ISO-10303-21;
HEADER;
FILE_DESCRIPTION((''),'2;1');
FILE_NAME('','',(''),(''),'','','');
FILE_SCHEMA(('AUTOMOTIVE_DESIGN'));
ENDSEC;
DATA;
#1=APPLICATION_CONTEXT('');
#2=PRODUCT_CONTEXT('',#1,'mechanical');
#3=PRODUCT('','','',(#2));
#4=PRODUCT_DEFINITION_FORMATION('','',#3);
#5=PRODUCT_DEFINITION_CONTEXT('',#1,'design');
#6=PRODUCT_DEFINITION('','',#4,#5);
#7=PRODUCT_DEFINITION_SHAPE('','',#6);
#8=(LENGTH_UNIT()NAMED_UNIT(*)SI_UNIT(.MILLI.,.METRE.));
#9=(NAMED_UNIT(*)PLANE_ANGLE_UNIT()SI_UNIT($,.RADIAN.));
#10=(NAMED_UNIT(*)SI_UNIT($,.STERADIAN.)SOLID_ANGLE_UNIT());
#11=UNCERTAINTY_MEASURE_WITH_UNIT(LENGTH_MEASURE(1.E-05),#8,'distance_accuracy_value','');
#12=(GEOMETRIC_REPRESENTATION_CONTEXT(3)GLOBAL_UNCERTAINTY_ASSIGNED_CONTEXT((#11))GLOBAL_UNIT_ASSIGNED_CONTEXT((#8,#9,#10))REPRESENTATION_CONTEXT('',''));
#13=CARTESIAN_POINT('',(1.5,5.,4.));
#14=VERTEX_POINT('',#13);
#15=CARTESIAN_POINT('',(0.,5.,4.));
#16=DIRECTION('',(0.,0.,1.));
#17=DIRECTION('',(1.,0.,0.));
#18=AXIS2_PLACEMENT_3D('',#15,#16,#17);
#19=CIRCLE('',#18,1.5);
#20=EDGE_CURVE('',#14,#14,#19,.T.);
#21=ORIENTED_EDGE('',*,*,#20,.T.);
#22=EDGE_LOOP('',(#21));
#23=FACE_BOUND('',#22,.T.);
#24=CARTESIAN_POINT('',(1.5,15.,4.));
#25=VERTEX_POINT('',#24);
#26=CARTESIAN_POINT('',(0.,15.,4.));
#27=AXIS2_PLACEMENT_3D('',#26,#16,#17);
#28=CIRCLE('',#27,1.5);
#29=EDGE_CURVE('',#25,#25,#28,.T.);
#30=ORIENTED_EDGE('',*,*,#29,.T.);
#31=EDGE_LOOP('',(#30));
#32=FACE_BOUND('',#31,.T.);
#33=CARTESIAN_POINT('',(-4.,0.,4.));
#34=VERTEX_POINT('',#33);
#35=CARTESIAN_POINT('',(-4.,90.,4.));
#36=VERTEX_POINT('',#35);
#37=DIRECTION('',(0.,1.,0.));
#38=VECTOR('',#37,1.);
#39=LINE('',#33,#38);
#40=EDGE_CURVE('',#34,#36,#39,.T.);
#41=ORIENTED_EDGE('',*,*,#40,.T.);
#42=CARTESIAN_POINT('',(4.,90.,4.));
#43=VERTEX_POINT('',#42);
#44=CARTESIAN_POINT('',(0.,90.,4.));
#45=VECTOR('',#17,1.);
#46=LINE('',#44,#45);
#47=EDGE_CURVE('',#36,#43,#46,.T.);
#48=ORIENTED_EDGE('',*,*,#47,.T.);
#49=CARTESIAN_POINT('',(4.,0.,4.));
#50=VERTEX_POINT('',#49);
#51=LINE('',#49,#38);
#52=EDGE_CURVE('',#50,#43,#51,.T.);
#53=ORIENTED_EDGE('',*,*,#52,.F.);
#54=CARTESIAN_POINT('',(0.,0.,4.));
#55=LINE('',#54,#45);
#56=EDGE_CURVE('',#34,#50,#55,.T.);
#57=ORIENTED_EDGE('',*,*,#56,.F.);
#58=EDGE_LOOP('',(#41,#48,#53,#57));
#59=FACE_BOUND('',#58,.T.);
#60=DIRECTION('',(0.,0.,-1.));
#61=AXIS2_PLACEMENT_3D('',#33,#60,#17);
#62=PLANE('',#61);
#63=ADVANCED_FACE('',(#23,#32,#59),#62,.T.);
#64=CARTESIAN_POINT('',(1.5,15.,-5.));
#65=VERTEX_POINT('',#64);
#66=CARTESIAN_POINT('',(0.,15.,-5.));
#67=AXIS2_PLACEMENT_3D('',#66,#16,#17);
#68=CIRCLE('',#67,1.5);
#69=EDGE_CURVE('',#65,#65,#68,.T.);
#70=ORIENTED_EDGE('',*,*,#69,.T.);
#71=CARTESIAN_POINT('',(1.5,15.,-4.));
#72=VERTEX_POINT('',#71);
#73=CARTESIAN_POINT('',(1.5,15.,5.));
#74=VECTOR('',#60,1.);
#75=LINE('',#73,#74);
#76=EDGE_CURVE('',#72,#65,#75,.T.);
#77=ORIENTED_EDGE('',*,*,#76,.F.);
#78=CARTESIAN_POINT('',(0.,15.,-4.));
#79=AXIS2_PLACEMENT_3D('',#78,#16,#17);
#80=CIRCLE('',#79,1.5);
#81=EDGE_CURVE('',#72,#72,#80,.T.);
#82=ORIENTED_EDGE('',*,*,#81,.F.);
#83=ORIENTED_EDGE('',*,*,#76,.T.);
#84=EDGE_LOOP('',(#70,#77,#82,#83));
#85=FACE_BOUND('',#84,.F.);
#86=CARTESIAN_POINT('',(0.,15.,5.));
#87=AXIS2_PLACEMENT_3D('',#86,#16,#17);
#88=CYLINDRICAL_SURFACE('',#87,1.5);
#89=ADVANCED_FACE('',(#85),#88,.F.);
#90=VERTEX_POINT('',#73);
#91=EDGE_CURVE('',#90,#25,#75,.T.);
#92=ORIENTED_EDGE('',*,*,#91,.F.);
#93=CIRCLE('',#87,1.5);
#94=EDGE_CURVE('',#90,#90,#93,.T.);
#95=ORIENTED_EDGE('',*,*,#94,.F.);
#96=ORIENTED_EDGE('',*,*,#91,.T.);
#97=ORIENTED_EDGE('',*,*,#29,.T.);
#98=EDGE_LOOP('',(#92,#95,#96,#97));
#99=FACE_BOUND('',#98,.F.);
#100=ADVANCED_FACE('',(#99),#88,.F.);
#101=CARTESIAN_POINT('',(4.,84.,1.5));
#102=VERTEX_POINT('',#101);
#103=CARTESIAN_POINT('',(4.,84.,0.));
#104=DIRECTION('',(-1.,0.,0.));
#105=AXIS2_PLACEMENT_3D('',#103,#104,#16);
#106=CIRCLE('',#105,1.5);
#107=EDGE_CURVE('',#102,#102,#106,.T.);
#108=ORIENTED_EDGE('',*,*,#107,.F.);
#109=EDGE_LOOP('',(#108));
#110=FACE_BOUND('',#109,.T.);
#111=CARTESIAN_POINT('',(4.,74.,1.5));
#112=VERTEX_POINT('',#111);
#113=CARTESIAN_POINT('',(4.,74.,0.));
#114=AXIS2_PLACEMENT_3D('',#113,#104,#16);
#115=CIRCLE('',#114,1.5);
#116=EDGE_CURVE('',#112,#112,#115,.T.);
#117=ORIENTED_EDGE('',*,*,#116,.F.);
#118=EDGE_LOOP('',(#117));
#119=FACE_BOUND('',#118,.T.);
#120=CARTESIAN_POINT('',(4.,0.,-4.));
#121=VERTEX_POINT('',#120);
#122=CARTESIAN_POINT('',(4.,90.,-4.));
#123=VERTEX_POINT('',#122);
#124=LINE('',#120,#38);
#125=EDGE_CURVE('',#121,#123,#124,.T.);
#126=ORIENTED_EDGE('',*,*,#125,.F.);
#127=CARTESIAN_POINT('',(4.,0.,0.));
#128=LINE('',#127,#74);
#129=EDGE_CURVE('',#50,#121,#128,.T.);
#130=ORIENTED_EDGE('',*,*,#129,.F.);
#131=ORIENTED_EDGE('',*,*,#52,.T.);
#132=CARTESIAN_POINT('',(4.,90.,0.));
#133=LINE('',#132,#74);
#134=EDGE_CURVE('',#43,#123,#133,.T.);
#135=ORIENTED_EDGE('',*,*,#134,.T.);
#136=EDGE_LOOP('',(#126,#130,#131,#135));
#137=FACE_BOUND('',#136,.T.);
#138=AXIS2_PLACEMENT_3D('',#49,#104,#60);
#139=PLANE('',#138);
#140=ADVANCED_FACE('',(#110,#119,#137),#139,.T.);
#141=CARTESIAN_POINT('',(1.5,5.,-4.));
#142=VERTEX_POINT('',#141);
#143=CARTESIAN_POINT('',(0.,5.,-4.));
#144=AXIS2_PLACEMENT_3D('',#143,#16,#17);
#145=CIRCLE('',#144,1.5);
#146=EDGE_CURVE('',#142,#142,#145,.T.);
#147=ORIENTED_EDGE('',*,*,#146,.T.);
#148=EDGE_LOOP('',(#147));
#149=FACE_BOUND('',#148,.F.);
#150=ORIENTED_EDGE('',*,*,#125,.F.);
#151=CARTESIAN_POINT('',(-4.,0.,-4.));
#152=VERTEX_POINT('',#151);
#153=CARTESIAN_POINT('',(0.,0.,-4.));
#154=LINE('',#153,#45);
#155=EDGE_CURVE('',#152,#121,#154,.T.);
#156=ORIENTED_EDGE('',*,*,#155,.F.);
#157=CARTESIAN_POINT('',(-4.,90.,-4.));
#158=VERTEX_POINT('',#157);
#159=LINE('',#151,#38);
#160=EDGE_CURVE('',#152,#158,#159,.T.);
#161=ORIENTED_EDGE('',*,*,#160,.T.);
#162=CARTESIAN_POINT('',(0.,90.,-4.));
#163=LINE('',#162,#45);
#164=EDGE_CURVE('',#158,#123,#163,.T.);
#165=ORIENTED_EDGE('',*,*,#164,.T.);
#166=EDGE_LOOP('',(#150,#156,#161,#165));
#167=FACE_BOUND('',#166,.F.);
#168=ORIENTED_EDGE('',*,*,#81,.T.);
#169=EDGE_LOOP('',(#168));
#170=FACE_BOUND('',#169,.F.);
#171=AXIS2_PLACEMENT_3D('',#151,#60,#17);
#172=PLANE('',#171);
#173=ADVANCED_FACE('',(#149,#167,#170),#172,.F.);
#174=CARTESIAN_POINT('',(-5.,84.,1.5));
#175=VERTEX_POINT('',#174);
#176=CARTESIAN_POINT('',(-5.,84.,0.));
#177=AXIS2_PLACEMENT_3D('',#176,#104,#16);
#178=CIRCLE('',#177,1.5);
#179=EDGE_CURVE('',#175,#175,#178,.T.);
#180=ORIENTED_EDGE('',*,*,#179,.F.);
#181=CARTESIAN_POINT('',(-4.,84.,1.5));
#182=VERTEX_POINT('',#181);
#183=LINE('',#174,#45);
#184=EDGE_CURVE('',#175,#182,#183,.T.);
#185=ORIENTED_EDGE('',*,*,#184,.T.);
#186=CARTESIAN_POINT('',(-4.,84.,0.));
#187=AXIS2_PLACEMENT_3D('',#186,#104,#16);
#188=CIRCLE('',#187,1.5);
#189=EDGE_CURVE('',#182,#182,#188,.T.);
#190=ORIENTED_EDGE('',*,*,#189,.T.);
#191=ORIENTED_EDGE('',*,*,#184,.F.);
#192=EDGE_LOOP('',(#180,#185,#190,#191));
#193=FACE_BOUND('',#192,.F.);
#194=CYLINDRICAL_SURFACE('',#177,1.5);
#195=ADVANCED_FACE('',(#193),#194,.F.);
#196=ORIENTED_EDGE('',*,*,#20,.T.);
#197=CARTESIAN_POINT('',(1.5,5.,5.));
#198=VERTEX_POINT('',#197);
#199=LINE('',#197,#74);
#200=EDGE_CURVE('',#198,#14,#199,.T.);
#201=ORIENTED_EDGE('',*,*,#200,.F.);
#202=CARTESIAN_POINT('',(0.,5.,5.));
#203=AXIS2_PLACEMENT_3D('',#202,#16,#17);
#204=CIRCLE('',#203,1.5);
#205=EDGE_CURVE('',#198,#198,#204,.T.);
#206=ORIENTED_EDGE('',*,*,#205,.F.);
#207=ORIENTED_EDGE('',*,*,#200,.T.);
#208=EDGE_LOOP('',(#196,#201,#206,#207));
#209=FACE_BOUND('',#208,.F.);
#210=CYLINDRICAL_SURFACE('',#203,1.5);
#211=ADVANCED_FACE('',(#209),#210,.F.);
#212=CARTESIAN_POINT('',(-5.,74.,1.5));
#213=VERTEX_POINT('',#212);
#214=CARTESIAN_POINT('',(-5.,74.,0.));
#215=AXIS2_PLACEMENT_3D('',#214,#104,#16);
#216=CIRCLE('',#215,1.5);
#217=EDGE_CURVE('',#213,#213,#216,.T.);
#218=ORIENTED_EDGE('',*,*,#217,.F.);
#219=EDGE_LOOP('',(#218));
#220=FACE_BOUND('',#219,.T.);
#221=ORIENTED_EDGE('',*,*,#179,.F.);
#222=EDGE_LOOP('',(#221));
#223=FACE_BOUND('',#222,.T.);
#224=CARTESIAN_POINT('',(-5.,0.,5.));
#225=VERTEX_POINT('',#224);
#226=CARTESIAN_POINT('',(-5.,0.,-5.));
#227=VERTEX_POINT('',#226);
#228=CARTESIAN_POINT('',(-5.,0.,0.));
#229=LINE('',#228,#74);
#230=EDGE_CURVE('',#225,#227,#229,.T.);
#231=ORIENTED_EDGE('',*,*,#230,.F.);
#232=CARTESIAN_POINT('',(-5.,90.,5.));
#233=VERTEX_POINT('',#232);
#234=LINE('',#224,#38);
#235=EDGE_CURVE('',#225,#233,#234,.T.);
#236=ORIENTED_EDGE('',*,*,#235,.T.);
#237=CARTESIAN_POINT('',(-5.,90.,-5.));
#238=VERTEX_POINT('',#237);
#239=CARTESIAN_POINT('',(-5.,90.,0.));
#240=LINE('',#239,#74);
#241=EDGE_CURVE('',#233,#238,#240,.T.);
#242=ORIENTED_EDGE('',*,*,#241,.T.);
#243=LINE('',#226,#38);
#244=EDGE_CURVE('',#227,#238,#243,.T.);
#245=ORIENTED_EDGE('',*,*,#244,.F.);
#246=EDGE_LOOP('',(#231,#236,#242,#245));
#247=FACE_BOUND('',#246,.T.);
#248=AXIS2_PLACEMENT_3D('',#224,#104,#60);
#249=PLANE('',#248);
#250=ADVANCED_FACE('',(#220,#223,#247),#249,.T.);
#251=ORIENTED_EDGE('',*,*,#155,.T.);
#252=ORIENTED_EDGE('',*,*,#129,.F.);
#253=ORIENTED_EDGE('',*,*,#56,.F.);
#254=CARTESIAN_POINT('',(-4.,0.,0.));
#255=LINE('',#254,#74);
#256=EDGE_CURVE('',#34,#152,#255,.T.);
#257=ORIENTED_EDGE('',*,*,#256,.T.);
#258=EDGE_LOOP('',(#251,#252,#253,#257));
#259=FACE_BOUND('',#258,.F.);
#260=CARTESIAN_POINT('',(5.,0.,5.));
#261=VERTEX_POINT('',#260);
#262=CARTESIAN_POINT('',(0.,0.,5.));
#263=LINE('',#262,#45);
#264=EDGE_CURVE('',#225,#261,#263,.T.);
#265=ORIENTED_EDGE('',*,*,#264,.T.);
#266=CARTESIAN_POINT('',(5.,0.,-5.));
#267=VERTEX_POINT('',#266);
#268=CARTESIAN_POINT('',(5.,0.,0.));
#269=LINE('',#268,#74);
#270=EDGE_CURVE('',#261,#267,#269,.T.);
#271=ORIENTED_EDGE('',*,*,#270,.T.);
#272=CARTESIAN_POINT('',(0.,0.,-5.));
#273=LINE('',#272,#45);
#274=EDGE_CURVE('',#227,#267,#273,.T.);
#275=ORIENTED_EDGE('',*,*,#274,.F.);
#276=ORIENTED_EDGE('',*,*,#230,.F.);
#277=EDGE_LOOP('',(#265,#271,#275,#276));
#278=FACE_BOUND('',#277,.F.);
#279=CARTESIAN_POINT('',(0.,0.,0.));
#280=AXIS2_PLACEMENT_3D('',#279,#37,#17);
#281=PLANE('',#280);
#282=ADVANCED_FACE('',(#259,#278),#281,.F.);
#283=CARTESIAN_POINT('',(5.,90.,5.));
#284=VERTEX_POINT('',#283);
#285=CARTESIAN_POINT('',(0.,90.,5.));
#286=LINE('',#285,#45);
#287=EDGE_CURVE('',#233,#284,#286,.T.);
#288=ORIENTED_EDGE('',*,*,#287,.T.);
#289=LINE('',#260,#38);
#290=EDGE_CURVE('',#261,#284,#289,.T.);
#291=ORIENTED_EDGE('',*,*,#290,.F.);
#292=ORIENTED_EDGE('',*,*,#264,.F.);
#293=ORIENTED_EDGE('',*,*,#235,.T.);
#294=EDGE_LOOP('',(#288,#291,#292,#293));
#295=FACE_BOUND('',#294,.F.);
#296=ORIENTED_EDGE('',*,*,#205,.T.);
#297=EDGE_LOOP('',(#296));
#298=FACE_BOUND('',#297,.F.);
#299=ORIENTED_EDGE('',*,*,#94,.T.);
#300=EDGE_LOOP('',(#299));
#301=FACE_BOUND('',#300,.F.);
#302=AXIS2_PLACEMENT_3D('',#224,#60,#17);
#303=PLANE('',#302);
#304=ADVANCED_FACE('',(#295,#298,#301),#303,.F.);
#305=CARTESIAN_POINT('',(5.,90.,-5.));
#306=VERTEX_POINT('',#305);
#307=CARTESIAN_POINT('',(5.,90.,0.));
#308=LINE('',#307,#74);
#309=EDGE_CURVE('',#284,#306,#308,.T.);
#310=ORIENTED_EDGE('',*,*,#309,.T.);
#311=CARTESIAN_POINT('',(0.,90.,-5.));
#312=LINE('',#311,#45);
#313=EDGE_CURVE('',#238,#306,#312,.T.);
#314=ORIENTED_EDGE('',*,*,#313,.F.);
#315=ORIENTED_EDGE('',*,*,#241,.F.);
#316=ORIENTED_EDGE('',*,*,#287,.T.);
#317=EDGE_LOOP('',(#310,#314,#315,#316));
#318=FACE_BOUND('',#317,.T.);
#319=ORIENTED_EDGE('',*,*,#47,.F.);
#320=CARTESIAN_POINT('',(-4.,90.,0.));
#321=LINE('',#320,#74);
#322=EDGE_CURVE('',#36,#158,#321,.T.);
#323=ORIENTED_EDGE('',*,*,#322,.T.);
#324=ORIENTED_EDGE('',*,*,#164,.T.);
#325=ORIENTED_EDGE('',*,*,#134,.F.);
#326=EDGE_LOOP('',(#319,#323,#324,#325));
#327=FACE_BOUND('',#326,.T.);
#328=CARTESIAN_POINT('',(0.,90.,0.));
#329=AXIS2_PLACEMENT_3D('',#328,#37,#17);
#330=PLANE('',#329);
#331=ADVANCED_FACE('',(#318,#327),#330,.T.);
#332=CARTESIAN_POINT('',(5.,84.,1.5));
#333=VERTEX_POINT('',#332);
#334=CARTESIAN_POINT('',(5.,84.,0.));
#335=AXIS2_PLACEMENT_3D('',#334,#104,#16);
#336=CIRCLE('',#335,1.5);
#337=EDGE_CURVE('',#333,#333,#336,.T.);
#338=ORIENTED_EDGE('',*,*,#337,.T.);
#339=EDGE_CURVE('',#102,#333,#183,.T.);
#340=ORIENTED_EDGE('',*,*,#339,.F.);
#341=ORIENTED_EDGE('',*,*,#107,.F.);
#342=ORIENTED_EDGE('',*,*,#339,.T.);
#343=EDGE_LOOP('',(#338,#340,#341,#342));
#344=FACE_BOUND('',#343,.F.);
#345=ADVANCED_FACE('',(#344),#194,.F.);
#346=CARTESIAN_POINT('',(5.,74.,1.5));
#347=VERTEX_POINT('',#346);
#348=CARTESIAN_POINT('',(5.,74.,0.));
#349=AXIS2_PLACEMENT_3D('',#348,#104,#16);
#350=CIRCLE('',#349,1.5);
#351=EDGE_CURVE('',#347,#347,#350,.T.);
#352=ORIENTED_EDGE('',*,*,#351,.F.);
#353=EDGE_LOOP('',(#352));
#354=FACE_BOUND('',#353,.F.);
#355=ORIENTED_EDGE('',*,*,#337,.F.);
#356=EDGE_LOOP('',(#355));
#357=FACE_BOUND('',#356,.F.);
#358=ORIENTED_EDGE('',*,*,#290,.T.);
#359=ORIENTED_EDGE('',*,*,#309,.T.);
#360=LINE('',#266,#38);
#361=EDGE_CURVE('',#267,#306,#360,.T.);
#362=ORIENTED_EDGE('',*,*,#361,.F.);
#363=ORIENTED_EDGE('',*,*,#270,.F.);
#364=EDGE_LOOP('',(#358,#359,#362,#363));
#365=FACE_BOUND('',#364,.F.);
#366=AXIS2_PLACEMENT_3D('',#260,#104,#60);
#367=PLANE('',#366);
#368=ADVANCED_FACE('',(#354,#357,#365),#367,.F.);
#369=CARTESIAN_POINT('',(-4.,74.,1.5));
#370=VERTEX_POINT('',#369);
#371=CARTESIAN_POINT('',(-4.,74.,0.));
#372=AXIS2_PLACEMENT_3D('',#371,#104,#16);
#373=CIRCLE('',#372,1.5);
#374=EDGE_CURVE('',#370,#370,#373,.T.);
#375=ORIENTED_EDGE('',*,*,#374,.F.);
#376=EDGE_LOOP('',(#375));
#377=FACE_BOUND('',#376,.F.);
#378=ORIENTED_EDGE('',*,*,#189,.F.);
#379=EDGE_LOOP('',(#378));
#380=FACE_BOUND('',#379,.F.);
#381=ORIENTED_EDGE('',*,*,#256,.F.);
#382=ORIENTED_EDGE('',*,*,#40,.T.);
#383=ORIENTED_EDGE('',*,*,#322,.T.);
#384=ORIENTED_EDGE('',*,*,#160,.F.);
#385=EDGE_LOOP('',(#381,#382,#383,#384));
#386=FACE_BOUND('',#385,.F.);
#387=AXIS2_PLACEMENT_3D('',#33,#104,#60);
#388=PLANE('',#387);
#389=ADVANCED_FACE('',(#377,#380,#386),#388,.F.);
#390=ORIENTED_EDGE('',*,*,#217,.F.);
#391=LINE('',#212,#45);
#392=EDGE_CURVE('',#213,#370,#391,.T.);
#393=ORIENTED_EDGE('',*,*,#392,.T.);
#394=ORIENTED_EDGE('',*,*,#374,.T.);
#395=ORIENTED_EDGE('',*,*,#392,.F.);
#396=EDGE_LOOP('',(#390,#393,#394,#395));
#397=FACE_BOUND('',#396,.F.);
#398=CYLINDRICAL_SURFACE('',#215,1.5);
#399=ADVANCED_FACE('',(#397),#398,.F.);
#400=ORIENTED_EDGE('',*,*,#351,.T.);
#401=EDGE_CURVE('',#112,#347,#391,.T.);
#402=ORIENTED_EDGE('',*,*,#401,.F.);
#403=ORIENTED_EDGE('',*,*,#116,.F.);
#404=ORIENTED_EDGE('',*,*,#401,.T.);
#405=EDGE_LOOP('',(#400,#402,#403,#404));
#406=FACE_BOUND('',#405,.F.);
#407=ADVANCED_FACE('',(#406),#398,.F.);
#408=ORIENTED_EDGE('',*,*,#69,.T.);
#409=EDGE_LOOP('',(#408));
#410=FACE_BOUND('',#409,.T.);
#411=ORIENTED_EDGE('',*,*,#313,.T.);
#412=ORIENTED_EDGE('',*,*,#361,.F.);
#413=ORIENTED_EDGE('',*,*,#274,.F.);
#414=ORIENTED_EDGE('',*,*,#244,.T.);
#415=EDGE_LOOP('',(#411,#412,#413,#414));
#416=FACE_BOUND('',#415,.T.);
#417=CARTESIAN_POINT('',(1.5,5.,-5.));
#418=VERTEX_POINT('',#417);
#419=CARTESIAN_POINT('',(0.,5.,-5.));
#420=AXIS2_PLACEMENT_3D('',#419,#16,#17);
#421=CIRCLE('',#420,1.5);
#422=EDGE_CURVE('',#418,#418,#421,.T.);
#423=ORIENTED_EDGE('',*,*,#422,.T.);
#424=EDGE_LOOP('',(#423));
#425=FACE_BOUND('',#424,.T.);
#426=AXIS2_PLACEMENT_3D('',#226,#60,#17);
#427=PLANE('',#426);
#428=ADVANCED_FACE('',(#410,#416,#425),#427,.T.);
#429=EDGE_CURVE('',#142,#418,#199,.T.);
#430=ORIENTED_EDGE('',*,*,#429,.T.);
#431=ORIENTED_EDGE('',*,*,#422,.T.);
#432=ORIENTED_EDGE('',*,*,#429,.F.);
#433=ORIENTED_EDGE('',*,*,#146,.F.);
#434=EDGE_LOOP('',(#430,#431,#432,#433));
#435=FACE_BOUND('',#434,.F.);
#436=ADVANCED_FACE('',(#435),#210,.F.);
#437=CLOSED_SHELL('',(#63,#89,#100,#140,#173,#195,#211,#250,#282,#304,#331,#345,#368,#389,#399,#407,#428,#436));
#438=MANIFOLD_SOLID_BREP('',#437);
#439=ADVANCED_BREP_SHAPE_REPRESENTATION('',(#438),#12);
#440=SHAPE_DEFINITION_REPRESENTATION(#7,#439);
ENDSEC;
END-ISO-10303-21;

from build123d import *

# Parameters (mm, degrees)
SKETCH_1_W          = 10
SKETCH_1_H          = 10
SKETCH_1_W_2        = 8
SKETCH_1_H_2        = 8
EXTRUDE_1_DEPTH     = 90
SKETCH_2_R          = 1.5
CUT_EXTRUDE_1_DEPTH = 30
SKETCH_3_R          = 1.5
CUT_EXTRUDE_2_DEPTH = 30


with BuildPart() as part:
    # 草图1 → 凸台-拉伸1 (new body)
    with BuildSketch(Plane(origin=(0, 0, 0), x_dir=(1, 0, 0), z_dir=(0, 1, 0))):
        Rectangle(SKETCH_1_W, SKETCH_1_H)
        Rectangle(SKETCH_1_W_2, SKETCH_1_H_2, mode=Mode.SUBTRACT)
    extrude(amount=EXTRUDE_1_DEPTH)

    # 草图2 → 切除-拉伸1 (cut)
    with BuildSketch(Plane.ZY.offset(5)):
        with Locations((0, 84)):
            Circle(SKETCH_2_R)
        with Locations((0, 74)):
            Circle(SKETCH_2_R)
    extrude(amount=-CUT_EXTRUDE_1_DEPTH, mode=Mode.SUBTRACT)

    # 草图3 → 切除-拉伸2 (cut)
    with BuildSketch(Plane.XY.offset(5)):
        with Locations((0, 5)):
            Circle(SKETCH_3_R)
        with Locations((0, 15)):
            Circle(SKETCH_3_R)
    extrude(amount=-CUT_EXTRUDE_2_DEPTH, mode=Mode.SUBTRACT)


solid = part.part
